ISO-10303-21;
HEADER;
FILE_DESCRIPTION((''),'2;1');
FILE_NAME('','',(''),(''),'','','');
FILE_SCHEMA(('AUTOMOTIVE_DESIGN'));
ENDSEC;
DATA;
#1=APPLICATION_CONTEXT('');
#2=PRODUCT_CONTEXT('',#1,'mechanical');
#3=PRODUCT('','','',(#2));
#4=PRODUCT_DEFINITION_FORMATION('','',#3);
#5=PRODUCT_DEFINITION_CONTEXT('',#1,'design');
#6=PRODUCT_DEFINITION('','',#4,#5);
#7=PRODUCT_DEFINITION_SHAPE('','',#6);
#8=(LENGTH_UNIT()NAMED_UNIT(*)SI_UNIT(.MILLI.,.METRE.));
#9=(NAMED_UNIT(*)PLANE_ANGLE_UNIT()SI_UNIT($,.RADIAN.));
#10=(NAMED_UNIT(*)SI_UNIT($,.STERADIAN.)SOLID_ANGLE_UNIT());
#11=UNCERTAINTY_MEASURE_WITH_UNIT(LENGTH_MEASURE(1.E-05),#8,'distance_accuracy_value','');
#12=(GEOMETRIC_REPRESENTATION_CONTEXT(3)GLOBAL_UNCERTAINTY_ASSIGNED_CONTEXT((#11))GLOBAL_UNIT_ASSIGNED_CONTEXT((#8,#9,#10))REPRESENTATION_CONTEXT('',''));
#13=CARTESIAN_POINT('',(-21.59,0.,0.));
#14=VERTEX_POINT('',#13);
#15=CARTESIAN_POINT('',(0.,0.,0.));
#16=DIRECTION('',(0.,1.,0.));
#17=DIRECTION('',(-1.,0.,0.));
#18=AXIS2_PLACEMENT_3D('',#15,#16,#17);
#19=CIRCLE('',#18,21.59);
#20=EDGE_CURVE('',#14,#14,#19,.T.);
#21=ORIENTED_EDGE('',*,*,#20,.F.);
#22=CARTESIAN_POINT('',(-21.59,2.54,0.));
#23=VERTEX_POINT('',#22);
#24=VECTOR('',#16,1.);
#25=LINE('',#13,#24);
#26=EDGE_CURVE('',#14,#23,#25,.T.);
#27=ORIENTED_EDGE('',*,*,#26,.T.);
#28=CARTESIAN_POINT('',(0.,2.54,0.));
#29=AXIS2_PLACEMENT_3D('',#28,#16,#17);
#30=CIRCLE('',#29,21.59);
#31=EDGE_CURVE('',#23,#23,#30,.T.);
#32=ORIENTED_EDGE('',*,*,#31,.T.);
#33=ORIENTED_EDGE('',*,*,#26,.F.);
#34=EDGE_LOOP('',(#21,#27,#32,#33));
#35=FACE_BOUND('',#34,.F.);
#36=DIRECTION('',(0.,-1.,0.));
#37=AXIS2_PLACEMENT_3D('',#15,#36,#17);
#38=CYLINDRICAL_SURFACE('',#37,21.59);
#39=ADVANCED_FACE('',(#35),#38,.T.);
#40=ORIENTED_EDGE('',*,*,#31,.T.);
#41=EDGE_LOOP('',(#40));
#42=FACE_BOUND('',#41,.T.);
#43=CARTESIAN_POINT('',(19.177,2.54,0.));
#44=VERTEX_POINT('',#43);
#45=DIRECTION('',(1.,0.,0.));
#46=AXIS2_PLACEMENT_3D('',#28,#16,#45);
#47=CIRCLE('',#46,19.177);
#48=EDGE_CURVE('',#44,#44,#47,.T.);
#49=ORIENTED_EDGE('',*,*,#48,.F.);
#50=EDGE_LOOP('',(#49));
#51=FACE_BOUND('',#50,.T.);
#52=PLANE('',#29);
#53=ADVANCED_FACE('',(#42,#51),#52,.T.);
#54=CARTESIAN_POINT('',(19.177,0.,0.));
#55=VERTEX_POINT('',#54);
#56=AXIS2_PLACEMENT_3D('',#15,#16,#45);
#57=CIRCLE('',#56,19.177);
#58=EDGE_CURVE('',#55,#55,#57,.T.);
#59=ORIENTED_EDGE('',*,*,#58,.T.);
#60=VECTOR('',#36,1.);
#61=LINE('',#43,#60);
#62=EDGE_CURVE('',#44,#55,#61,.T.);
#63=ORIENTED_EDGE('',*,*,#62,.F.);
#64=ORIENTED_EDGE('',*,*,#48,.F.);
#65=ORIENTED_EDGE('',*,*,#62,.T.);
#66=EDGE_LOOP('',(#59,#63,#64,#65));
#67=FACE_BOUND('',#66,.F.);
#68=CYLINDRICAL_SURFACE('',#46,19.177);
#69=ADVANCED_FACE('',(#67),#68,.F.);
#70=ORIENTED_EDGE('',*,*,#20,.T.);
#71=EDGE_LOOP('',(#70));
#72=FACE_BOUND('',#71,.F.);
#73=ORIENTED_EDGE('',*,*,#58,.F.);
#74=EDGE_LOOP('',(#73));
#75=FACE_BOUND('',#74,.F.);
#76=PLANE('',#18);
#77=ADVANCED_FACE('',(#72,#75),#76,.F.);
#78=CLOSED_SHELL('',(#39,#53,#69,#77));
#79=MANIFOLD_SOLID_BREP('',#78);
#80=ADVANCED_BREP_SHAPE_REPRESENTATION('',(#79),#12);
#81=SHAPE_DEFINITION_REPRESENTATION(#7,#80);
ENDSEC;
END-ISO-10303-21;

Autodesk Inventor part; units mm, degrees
ref_plane "YZ Plane" through (0, 0, 0) normal (1, 0, 0) x (0, 1, 0)
ref_plane "XZ Plane" through (0, 0, 0) normal (0, 1, 0) x (-1, 0, 0)
ref_plane "XY Plane" through (0, 0, 0) normal (0, 0, 1) x (1, 0, 0)
sketch "Sketch1" plane through (0, 0, 0) normal (0, 1, 0) x (-1, 0, 0)
  circle A0 centre (0, 0) radius 21.59
  dimension "d0" = 43.18
extrude "Extrusion1" add sketch "Sketch1" along normal blind 2.54
sketch "Sketch2" plane through (0, 2.54, 0) normal (0, 1, 0) x (1, 0, 0)
  circle A0 centre (0, 0) radius 19.177
  dimension "d3" = 38.354
extrude "Extrusion2" cut sketch "Sketch2" against normal blind 5.08
properties part number "Motor Mount Back Side TEST"
